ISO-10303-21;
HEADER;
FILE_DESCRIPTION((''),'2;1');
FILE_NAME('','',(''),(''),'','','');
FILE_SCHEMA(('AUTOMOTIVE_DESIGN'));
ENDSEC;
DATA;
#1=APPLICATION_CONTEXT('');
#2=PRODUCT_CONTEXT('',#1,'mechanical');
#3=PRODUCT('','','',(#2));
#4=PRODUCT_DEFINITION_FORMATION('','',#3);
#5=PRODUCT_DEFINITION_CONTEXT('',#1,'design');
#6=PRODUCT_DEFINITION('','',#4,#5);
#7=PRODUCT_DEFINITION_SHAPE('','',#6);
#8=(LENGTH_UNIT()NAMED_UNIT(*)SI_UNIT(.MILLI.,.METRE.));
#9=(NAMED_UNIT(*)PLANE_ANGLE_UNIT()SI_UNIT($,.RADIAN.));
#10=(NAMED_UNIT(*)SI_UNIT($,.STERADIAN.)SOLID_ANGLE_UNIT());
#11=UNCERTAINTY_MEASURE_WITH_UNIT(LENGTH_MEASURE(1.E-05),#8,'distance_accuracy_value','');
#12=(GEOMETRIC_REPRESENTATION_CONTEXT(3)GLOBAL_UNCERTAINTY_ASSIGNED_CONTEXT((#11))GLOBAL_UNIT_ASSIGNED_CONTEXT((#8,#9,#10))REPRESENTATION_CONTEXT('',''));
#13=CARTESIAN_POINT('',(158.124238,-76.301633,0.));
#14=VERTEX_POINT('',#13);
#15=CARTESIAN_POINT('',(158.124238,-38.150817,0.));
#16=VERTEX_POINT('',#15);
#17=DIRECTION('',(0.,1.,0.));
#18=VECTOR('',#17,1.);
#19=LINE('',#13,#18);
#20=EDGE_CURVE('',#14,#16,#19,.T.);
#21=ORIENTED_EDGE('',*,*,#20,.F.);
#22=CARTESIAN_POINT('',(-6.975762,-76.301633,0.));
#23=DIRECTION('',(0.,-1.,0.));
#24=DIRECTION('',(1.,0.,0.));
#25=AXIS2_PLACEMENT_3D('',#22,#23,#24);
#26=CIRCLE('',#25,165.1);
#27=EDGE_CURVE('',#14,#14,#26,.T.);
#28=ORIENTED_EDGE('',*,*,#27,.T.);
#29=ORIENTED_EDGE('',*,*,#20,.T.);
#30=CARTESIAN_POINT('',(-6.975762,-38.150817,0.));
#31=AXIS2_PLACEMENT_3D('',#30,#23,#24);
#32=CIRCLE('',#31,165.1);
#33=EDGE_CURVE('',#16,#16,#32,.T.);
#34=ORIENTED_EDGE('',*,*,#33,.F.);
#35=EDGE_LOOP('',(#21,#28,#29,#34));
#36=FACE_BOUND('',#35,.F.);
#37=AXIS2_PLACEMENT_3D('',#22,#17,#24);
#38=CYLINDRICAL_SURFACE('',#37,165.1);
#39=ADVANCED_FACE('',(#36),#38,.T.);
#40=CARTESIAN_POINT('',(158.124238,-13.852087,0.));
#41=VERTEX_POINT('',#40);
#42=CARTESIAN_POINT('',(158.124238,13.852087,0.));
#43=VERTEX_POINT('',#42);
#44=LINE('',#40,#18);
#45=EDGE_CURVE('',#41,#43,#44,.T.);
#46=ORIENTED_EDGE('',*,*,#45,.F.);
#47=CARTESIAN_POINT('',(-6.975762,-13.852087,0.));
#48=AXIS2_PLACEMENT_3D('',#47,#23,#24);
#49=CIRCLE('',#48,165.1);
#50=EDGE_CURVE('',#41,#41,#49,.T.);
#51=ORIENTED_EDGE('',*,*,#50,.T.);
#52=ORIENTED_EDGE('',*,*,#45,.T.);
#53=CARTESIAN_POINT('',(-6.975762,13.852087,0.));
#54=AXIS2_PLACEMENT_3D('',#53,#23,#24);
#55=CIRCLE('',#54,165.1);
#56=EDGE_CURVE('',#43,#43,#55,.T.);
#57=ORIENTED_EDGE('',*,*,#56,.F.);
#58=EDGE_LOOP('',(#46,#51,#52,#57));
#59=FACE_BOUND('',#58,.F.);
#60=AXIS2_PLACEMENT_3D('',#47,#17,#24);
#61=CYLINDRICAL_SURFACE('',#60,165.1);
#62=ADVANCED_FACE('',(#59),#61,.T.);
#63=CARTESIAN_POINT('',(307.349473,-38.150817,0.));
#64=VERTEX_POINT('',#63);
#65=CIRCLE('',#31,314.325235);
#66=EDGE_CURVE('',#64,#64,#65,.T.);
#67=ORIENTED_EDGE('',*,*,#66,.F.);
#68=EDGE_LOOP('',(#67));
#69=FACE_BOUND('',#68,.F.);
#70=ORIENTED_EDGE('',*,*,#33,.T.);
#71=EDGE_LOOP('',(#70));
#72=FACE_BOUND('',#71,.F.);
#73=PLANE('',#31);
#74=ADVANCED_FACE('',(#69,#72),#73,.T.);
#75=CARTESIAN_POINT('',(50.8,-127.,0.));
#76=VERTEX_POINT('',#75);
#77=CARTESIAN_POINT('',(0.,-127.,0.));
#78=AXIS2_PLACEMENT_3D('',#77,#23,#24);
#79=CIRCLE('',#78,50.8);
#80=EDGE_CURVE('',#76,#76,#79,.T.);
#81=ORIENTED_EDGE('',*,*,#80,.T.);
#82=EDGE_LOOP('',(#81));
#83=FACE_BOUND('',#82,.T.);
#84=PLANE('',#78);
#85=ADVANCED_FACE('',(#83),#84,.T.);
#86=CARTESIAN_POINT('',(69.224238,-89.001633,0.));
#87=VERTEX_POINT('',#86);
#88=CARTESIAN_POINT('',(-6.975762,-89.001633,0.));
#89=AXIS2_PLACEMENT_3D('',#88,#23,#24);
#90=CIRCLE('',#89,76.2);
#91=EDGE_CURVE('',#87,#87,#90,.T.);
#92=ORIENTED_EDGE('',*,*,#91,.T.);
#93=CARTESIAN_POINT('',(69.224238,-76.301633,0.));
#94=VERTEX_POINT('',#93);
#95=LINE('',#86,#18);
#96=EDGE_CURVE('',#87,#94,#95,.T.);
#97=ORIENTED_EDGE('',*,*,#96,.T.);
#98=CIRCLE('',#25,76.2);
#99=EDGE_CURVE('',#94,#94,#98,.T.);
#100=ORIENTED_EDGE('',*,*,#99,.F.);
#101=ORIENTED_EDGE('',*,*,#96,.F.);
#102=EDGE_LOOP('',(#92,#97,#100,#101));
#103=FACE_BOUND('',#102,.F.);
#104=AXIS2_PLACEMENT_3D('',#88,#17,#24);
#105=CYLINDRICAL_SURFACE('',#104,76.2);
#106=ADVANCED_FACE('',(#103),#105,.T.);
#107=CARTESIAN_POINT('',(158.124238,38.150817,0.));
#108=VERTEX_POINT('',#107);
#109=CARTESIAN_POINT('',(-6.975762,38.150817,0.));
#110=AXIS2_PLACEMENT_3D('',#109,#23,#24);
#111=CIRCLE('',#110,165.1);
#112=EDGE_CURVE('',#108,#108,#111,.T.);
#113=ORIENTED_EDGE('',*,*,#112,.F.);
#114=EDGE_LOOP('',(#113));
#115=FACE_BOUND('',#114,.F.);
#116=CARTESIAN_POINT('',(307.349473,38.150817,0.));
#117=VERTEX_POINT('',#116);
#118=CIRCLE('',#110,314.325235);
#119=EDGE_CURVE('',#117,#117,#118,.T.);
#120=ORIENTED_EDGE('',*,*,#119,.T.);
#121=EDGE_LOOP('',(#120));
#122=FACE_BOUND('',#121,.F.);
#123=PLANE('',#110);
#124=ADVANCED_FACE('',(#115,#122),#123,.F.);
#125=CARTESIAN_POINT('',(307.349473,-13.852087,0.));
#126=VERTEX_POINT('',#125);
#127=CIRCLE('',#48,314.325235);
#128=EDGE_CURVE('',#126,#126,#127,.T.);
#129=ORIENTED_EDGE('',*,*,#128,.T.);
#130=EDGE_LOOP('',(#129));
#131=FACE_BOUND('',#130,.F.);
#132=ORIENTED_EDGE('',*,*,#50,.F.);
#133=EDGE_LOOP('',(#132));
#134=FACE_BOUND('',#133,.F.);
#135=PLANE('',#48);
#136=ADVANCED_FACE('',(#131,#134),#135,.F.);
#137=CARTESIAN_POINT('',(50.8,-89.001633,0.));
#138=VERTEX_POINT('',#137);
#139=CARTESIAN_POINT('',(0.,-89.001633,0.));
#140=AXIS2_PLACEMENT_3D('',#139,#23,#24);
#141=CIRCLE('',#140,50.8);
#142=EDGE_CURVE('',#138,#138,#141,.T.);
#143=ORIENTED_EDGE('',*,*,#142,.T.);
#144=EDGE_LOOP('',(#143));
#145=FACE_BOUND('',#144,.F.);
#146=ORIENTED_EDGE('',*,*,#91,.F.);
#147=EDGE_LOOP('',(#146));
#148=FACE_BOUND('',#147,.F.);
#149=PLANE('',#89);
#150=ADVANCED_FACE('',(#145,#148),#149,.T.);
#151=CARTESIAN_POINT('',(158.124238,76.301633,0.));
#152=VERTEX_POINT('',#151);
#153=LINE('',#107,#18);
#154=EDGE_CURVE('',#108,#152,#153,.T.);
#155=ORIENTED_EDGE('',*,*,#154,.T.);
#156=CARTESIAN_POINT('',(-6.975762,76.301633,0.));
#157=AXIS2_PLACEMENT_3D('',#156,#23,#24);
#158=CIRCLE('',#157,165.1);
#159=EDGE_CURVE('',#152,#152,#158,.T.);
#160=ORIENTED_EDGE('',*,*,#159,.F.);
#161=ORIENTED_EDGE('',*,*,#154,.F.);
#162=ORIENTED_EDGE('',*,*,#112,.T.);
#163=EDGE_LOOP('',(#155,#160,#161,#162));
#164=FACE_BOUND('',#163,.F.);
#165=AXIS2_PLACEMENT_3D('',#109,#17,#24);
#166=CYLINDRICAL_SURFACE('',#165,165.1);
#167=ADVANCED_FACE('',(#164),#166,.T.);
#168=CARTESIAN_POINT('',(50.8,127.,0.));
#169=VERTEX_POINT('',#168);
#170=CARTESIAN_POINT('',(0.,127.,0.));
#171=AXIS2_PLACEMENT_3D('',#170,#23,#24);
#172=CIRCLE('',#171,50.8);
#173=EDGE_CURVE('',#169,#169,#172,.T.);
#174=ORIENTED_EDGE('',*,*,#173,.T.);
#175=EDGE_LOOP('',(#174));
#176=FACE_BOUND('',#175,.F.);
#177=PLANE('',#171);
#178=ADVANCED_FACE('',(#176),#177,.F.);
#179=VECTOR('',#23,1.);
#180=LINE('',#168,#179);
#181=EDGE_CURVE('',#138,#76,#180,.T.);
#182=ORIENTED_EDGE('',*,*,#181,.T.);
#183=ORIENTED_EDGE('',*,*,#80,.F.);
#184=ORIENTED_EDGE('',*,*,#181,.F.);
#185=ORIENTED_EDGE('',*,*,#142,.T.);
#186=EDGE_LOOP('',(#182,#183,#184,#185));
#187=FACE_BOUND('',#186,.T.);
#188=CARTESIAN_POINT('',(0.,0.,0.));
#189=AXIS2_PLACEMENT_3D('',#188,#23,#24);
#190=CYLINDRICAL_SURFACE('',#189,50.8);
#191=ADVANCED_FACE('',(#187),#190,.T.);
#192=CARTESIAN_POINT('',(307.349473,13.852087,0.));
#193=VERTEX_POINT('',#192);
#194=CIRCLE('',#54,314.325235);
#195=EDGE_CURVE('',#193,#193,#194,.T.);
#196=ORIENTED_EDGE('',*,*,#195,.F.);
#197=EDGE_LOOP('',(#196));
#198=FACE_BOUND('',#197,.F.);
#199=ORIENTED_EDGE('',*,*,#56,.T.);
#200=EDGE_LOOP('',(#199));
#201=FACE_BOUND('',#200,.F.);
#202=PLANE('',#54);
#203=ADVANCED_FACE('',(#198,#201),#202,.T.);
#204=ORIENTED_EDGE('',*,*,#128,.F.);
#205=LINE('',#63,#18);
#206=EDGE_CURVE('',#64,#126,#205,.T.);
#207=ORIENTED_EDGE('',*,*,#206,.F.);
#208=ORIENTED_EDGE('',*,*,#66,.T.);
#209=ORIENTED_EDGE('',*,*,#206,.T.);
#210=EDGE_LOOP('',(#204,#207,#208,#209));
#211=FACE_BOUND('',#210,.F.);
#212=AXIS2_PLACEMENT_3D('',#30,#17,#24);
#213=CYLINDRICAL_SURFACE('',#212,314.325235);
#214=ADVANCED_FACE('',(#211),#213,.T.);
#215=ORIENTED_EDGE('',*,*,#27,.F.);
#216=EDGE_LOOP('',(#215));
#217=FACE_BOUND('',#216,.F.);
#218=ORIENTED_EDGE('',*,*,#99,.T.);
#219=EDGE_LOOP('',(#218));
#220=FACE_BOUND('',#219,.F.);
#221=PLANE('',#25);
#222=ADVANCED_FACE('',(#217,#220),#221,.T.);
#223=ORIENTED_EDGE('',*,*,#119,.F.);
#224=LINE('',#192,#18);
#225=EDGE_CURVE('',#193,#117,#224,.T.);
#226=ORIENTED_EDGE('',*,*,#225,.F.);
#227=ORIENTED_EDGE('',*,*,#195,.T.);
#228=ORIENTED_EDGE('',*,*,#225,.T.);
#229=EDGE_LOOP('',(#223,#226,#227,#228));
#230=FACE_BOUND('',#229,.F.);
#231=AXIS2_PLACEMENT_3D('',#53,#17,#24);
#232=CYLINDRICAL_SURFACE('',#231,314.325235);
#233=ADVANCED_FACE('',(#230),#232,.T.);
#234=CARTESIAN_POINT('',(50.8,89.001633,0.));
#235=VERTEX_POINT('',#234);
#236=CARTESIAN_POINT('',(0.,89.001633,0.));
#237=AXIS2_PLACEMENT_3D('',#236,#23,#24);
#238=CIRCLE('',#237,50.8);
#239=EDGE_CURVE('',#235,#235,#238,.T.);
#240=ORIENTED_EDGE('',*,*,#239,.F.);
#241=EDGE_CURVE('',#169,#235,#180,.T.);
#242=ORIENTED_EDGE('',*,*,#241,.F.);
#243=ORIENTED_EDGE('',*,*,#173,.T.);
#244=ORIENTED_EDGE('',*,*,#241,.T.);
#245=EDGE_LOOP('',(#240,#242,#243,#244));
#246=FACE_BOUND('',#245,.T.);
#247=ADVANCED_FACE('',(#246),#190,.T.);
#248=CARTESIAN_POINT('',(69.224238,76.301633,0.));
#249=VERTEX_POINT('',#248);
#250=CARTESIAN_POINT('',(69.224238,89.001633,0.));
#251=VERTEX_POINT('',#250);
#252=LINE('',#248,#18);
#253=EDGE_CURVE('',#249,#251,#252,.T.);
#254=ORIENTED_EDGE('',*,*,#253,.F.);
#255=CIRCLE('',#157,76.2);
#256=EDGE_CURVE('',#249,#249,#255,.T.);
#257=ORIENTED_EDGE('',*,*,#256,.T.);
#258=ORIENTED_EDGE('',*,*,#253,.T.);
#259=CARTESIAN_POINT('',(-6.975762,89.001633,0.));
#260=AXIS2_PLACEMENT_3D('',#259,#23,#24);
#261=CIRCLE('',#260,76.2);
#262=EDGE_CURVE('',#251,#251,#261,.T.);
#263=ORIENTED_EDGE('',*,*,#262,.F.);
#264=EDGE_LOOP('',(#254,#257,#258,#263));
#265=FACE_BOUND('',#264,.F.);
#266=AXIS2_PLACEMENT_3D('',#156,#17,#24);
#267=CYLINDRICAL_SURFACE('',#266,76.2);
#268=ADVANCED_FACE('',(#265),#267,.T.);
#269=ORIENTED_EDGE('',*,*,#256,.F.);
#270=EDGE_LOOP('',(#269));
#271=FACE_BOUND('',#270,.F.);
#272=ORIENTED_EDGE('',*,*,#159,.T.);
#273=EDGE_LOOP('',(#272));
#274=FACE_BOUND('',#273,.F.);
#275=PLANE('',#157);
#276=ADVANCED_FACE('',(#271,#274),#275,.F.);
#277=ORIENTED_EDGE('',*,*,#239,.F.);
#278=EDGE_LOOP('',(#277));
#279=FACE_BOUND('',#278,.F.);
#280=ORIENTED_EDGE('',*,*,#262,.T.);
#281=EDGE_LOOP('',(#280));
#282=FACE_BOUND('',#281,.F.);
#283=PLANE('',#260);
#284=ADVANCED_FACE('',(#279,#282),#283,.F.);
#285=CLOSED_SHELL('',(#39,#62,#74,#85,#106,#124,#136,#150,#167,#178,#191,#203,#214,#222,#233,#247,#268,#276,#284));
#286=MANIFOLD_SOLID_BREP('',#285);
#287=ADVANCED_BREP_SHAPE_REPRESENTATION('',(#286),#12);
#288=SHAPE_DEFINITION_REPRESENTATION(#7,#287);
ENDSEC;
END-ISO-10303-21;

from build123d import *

# Parameters (mm, degrees)
F0_R     = 50.8
F1_DEPTH = 127


with BuildPart() as f1:
    # F0 (on Front) → F1 (new body, symmetric)
    with BuildSketch(Plane.XZ):
        Circle(F0_R)
    extrude(amount=F1_DEPTH, both=True)

    # F2 (on Top) → F3 (revolve)
    with BuildSketch(Plane.XY):
        Polygon((158.124238, 0), (33.664238, 0), (33.664238, -89.001633), (69.224238, -89.001633), (69.224238, -76.301633), (158.124238, -76.301633), (158.124238, -38.150817), (307.349473, -38.150817), (307.349473, -13.852087), (158.124238, -13.852087), align=None)
        Polygon((33.664238, 89.001633), (33.664238, 0), (158.124238, 0), (158.124238, 13.852087), (307.349473, 13.852087), (307.349473, 38.150817), (158.124238, 38.150817), (158.124238, 76.301633), (69.224238, 76.301633), (69.224238, 89.001633), align=None)
    revolve(axis=Axis((-6.975762, 53.070031, 0), (0, -1, 0)))


solid = f1.part
